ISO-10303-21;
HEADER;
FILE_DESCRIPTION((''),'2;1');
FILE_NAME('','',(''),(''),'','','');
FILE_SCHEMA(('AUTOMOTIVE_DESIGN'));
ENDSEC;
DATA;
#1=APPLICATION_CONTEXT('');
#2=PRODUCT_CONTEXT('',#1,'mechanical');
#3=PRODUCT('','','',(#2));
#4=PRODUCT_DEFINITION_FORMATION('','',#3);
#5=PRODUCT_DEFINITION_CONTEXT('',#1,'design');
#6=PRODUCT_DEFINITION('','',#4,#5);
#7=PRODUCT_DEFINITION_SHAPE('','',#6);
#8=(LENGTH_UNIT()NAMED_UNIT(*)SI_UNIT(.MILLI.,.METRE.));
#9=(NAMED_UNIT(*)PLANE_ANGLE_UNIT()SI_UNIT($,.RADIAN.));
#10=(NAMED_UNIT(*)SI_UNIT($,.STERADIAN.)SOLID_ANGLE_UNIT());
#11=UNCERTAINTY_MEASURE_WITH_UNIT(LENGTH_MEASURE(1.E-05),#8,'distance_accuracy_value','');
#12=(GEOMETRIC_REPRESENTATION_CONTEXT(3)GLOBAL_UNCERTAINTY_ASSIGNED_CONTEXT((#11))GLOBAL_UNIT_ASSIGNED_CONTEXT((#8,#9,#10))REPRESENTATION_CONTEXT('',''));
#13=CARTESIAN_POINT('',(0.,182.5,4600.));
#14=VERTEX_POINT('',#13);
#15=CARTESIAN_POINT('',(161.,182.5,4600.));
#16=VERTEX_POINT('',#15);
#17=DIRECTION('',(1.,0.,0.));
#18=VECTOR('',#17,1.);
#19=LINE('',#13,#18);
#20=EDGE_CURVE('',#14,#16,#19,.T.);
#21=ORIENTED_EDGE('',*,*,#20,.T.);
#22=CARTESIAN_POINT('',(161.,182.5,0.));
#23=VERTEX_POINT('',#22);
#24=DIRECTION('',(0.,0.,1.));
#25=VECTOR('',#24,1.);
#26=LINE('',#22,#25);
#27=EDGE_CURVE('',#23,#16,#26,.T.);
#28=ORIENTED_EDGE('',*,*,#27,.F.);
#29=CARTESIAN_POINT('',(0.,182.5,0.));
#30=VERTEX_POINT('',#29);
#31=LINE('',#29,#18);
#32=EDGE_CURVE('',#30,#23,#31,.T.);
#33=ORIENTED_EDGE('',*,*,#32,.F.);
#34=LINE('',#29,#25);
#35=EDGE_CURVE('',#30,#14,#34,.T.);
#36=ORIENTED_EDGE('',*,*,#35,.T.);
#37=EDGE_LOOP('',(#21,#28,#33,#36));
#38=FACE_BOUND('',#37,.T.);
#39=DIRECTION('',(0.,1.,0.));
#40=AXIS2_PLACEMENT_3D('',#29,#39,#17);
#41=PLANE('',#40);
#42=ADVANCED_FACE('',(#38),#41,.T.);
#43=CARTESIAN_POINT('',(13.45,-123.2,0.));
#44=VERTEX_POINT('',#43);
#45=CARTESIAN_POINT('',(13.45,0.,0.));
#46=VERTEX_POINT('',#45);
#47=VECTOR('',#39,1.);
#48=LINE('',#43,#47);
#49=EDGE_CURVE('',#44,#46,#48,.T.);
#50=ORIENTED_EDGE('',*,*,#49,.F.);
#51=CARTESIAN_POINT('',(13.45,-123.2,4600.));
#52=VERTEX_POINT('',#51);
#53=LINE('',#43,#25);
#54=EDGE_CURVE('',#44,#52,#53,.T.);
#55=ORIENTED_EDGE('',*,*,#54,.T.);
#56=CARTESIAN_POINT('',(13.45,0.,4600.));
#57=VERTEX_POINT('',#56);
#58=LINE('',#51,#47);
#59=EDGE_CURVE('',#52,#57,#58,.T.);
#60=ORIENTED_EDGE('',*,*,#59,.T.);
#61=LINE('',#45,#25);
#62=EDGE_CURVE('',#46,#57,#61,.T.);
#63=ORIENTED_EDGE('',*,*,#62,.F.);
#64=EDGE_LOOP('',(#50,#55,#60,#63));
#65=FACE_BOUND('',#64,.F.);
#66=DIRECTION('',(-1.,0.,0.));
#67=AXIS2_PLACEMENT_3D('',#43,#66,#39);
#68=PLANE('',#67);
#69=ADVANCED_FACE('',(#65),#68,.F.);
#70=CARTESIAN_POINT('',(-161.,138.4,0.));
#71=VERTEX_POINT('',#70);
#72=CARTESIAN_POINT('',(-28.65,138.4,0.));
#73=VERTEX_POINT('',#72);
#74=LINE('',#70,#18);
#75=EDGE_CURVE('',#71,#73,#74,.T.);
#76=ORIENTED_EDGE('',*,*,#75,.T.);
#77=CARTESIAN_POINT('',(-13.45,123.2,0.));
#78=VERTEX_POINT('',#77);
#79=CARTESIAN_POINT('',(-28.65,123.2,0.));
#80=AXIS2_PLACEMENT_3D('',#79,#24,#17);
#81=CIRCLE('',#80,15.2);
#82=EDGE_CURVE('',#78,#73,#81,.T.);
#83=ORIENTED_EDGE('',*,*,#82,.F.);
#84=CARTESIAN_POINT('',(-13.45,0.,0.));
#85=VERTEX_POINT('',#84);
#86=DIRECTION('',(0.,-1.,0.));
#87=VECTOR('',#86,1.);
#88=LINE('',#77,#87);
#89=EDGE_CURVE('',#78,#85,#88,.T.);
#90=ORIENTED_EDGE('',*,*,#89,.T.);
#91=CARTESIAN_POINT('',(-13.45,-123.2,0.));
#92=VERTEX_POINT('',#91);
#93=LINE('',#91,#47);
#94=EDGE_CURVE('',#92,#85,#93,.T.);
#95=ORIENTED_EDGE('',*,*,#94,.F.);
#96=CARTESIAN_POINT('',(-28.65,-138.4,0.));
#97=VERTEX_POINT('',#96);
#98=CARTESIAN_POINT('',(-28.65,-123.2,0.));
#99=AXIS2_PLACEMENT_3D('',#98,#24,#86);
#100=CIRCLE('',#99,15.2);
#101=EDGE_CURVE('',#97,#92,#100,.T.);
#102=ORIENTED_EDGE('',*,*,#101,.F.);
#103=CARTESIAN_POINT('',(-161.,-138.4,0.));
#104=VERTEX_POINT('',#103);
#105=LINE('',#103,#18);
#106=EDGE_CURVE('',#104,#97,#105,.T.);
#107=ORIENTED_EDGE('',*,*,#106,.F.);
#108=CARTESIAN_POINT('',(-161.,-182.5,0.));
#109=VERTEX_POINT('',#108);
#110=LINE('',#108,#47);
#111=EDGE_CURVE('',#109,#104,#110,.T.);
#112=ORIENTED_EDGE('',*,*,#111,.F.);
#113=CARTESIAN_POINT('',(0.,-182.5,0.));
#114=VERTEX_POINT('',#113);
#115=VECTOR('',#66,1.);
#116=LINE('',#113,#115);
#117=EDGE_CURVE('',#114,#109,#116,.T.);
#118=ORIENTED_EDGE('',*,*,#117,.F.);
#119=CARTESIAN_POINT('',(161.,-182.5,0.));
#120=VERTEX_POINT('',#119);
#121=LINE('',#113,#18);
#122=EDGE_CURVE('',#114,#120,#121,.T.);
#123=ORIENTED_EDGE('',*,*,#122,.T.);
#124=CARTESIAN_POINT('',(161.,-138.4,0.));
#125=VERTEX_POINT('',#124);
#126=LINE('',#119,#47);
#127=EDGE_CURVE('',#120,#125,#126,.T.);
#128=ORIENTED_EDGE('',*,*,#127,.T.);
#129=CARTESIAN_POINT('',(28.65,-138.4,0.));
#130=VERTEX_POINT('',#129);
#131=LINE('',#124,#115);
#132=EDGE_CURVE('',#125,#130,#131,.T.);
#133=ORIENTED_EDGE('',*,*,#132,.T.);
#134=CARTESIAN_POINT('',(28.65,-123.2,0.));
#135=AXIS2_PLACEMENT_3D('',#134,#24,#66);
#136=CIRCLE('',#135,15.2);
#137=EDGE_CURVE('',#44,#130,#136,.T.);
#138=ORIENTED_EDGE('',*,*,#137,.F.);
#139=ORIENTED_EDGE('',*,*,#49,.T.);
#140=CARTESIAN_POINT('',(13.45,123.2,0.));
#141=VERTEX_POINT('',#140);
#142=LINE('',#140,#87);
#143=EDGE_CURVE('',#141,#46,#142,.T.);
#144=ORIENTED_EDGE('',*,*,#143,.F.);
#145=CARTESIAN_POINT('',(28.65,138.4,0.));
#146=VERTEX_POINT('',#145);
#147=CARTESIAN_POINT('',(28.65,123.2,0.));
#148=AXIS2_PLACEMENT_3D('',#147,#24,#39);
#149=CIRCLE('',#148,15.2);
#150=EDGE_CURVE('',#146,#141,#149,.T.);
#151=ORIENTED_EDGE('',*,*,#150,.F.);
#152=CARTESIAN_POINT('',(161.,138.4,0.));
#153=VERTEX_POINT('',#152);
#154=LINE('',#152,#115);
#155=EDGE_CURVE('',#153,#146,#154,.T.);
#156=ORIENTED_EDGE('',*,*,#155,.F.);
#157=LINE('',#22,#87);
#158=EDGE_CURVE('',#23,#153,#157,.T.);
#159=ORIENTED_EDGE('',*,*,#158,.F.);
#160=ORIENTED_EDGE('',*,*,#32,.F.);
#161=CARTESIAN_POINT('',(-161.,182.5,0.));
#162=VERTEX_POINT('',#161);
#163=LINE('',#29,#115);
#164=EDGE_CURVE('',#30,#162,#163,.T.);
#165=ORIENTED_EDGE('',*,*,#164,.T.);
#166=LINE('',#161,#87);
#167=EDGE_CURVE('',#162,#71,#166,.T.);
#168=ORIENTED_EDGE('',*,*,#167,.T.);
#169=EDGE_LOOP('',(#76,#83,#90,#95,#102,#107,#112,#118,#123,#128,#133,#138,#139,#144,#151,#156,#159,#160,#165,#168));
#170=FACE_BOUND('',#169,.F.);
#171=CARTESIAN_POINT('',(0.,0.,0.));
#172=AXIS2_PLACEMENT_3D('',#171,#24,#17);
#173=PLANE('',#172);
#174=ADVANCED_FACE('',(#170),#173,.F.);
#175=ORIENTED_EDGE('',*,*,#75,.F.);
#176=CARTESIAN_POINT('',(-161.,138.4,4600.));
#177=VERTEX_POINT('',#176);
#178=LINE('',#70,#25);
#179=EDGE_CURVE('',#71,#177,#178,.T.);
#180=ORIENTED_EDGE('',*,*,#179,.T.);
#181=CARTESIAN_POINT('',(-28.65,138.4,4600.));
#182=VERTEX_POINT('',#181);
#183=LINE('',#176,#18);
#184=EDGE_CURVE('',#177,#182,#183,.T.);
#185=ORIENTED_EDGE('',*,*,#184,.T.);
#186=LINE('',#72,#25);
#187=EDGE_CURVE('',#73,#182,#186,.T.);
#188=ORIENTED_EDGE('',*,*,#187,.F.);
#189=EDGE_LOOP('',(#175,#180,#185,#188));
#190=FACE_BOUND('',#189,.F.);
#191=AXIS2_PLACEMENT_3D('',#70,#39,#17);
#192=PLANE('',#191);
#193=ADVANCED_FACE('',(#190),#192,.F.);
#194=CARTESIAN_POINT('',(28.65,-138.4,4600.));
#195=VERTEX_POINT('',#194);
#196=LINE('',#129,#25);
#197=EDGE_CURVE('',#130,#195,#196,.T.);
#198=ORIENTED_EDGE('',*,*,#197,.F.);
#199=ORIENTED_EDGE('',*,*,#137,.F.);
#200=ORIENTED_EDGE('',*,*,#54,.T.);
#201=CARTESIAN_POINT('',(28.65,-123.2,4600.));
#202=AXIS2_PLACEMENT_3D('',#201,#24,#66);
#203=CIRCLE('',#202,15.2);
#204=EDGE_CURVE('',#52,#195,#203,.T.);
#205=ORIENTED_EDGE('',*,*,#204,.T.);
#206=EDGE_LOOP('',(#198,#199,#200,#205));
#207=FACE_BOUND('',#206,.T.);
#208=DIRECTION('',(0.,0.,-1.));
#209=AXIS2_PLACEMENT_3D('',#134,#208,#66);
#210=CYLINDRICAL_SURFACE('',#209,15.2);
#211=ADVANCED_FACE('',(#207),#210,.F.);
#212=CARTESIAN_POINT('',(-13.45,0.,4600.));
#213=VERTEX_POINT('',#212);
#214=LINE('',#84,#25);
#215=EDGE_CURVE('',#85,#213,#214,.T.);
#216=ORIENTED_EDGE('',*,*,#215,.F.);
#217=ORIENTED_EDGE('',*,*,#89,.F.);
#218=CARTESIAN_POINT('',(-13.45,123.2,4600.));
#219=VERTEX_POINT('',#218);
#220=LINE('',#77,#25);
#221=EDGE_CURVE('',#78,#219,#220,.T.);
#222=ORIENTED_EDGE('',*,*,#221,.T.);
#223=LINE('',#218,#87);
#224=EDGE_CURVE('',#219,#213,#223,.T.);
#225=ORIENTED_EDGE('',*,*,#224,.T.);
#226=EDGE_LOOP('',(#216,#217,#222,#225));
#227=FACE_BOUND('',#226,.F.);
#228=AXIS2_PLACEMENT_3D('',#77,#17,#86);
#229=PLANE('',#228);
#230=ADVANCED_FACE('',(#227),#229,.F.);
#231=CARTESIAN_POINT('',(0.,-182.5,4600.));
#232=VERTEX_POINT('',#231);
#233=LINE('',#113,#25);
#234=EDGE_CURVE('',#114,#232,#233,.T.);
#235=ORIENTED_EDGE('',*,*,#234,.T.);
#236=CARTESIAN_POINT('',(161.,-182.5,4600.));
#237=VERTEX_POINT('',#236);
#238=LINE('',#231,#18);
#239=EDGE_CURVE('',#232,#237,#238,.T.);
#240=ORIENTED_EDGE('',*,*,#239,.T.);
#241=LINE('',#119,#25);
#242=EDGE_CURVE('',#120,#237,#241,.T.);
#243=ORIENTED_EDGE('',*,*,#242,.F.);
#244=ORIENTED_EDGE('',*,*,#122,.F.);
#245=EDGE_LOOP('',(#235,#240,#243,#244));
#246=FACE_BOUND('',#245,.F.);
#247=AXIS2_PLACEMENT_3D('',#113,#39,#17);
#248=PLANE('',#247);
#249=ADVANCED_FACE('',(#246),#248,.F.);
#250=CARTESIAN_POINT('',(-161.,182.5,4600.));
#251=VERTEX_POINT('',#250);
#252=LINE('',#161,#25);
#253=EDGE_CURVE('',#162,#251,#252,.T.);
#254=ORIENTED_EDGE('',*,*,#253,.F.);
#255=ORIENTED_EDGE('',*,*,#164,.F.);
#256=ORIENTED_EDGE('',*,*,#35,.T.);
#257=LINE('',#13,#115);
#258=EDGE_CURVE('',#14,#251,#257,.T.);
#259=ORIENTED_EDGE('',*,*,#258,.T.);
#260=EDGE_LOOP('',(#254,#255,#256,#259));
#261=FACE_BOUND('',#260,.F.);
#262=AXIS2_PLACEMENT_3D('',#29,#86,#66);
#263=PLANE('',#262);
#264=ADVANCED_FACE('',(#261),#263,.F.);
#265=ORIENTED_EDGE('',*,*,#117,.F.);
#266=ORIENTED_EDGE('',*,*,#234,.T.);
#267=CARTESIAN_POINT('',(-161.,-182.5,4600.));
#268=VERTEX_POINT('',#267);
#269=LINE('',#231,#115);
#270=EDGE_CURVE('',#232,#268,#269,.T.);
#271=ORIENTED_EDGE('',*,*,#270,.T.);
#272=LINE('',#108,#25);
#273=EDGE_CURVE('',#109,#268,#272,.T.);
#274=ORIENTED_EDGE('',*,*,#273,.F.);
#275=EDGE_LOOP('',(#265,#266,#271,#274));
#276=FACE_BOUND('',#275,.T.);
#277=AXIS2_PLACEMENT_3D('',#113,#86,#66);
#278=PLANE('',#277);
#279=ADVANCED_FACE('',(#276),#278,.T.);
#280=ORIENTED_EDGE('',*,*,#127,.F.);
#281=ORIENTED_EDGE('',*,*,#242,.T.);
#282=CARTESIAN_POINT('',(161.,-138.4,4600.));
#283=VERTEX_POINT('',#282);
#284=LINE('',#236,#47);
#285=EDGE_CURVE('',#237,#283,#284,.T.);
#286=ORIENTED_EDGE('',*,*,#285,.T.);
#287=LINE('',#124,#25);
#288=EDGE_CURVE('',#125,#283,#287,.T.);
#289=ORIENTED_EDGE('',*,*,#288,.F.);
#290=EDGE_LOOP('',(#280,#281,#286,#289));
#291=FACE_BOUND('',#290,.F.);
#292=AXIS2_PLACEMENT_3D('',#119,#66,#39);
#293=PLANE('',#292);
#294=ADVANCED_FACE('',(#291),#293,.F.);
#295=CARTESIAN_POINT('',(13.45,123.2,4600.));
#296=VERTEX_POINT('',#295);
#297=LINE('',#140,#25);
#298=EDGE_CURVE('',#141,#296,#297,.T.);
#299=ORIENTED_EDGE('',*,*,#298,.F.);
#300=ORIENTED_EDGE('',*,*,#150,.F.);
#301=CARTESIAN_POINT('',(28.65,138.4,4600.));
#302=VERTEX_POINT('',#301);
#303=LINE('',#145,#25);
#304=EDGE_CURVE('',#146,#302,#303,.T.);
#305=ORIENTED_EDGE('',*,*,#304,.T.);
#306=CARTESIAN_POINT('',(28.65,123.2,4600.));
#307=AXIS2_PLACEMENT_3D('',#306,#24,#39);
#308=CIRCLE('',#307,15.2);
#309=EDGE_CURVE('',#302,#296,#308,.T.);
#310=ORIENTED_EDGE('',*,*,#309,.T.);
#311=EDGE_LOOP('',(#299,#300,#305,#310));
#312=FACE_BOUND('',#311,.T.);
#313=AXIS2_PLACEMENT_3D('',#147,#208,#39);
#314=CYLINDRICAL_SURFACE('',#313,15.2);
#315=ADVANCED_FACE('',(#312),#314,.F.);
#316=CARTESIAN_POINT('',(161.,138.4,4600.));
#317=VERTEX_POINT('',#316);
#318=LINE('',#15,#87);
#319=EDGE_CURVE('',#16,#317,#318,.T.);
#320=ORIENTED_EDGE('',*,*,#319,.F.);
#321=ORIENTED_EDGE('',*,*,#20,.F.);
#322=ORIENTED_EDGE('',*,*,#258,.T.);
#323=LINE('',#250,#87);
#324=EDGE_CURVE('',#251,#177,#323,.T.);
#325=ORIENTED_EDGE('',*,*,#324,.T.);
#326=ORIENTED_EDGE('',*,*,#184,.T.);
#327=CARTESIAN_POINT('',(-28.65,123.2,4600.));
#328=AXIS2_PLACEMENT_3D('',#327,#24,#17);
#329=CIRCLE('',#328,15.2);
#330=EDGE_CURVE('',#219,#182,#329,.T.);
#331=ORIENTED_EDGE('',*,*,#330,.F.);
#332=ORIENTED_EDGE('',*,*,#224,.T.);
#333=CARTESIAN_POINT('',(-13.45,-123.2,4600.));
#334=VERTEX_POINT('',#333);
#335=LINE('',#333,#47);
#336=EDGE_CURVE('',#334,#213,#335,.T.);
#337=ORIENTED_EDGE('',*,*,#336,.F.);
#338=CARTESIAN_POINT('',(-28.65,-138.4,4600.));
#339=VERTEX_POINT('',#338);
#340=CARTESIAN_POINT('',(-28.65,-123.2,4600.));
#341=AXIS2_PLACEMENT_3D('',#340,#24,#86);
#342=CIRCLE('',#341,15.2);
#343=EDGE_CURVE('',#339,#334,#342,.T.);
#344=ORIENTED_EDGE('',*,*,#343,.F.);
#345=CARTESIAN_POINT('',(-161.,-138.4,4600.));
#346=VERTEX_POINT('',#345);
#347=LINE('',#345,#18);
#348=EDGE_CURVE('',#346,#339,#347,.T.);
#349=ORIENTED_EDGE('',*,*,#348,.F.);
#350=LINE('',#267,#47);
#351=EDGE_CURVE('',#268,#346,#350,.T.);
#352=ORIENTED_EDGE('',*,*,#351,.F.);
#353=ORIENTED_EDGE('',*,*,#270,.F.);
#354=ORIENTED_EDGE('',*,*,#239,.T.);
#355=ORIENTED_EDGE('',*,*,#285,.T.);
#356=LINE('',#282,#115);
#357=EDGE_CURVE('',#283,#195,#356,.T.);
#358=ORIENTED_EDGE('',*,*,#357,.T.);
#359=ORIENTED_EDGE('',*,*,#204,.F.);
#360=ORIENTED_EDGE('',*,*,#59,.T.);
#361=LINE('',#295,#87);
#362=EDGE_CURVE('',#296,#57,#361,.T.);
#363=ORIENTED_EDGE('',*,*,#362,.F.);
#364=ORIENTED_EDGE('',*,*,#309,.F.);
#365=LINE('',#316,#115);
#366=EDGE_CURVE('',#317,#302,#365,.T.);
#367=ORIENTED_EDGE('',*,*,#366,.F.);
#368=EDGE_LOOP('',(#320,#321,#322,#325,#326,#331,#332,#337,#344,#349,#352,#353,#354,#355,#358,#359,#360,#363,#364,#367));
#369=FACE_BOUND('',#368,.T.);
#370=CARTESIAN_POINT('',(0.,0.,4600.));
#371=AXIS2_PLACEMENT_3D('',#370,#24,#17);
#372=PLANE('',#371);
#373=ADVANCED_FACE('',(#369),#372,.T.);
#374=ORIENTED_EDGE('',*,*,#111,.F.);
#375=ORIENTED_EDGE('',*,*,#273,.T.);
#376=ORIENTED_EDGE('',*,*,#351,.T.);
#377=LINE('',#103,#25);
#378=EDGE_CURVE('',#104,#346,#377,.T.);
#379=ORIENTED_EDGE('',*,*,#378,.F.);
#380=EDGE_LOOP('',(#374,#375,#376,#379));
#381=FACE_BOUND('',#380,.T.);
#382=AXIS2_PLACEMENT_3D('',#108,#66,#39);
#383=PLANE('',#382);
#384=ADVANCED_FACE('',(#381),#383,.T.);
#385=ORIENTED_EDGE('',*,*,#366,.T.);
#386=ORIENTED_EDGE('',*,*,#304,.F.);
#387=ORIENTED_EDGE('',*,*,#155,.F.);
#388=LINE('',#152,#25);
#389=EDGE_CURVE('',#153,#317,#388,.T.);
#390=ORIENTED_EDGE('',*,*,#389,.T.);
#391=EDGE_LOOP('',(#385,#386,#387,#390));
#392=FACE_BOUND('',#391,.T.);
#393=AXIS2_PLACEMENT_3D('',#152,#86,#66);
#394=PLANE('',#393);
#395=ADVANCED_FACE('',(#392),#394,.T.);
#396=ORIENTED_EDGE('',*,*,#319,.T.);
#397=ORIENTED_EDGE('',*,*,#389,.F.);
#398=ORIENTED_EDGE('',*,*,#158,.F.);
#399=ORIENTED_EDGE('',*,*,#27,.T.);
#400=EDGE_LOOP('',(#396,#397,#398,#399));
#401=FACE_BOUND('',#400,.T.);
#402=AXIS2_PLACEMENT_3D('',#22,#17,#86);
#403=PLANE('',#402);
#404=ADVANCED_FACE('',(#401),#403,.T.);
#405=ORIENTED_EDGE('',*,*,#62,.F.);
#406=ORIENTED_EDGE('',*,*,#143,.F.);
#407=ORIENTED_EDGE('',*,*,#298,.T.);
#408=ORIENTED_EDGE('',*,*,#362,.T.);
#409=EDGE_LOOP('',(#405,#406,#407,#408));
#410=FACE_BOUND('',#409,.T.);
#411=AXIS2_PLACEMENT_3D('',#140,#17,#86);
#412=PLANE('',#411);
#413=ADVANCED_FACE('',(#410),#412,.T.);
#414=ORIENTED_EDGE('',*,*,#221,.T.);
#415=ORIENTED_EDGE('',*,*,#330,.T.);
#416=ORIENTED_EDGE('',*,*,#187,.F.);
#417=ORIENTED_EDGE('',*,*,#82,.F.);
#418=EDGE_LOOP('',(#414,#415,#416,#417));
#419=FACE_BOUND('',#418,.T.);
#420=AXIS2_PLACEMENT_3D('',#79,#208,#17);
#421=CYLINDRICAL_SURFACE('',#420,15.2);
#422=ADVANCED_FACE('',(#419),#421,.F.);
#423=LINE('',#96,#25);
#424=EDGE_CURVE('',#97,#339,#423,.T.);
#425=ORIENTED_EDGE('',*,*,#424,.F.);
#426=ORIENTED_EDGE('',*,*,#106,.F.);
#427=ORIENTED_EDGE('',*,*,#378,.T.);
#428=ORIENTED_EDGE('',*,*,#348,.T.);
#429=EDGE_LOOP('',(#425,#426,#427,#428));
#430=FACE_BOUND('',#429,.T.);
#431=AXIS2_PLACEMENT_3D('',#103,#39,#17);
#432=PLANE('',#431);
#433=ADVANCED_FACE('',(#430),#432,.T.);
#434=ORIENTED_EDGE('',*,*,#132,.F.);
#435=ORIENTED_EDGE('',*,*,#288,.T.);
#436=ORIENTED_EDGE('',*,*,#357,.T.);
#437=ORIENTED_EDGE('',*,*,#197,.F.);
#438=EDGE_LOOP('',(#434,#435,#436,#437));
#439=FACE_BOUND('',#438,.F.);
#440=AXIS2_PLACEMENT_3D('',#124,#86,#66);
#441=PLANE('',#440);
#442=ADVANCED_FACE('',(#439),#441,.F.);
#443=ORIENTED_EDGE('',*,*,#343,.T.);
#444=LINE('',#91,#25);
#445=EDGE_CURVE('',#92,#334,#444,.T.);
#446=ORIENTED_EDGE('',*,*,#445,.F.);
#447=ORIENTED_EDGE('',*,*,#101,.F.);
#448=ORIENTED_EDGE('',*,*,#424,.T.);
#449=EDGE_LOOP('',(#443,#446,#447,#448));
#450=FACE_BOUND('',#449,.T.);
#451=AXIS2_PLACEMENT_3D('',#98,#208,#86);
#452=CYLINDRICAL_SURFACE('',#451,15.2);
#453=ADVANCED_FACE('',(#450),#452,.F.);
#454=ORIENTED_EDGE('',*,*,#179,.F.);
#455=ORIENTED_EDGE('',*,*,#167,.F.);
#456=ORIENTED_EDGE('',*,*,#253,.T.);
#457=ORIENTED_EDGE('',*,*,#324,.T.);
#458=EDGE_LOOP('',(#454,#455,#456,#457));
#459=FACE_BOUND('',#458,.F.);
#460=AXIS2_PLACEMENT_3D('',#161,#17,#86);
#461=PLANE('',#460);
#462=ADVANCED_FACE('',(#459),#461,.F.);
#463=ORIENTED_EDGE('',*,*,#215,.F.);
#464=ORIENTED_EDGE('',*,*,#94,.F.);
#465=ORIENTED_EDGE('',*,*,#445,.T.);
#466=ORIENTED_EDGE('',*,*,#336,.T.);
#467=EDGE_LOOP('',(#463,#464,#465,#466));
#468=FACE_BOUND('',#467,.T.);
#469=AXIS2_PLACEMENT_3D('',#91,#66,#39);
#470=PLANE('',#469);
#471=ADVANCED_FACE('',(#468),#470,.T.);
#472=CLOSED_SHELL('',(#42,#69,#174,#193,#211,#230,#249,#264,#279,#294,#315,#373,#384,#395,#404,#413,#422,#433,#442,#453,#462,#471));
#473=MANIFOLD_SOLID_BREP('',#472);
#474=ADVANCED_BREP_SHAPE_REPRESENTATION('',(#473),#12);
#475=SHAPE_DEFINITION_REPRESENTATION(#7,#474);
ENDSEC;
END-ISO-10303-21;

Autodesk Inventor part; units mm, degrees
ref_plane "YZ Plane" through (0, 0, 0) normal (1, 0, 0) x (0, 1, 0)
ref_plane "Start plane" through (0, 0, 0) normal (0, 0, 1) x (1, 0, 0)
ref_plane "End plane" through (0, 0, 4600) normal (0, 0, 1) x (1, 0, 0)
sketch "Sketch" plane through (0, 0, 0) normal (0, 0, 1) x (1, 0, 0)
  line L0 (-161, -182.5) -> (-161, -138.4)
  line L1 (-161, -138.4) -> (-28.65, -138.4)
  line L2 (-13.45, -123.2) -> (-13.45, 0)
  line L3 (-13.45, 0) -> (0, 0) construction
  line L4 (0, 0) -> (0, -182.5) construction
  line L5 (0, -182.5) -> (-161, -182.5)
  line L6 (-60, 0) -> (80, 0) construction
  line L7 (0, -60) -> (0, 80) construction
  line L8 (161, -182.5) -> (161, -138.4)
  line L9 (161, -138.4) -> (28.65, -138.4)
  line L10 (13.45, -123.2) -> (13.45, 0)
  line L11 (13.45, 0) -> (0, 0) construction
  line L12 (0, -182.5) -> (161, -182.5)
  line L13 (-161, 182.5) -> (-161, 138.4)
  line L14 (-161, 138.4) -> (-28.65, 138.4)
  line L15 (-13.45, 123.2) -> (-13.45, 0)
  line L16 (0, 182.5) -> (-161, 182.5)
  line L17 (161, 182.5) -> (161, 138.4)
  line L18 (161, 138.4) -> (28.65, 138.4)
  line L19 (0, 182.5) -> (161, 182.5)
  line L20 (13.45, 123.2) -> (13.45, 0)
  arc A0 (-13.45, 123.2) -> (-28.65, 138.4) centre (-28.65, 123.2) ccw
  arc A1 (28.65, 138.4) -> (13.45, 123.2) centre (28.65, 123.2) ccw
  arc A2 (13.45, -123.2) -> (28.65, -138.4) centre (28.65, -123.2) ccw
  arc A3 (-28.65, -138.4) -> (-13.45, -123.2) centre (-28.65, -123.2) ccw
  line L21 (0, 108) -> (0, -88) construction
  line L22 (-88, 0) -> (108, 0) construction
  point P0 (-13.45, -138.4)
  point P1 (13.45, -138.4)
  point P2 (-13.45, 138.4)
  point P3 (13.45, 138.4)
  dimension "d1" = 182.5
  dimension "d2" = 44.1
  dimension "d3" = 161
  dimension "d4" = 13.45
  dimension "d10" = 15.2
extrude "Body" add sketch "Sketch" along normal up to surface (4600 mm away) from surface at 0
sketch "Sketch4" plane through (0, 0, 0) normal (0, 0, 1) x (1, 0, 0)
  line L0 (0, 0) -> (10, 0)
ref_plane "Work Plane3" through (0, 0, 0) normal (0, -1, 0) x (1, 0, 0)
sketch "Sketch5" plane through (0, 0, 0) normal (0, -1, 0) x (1, 0, 0)
  line L0 (-2, 0) -> (12, 0) projected
  line L1 (-2, 4600) -> (12, 4600) projected
  dimension "d14" = 4600
equation "\"d1\" = 0.5 * G_H"
equation "\"d2\" = G_T1"
equation "\"d3\" = 0.5 * G_W"
equation "\"d4\" = 0.5 * G_T"
equation "\"d10\" = G_IR"
equation "\"d5\" = G_L"
equation "\"G_W\" = 322"
equation "\"G_H\" = 365"
equation "\"G_T\" = 26.9"
equation "\"G_T1\" = 44.1"
equation "\"G_IR\" = 15.2"
equation "\"G_L\" = d14"
equation "\"G_OFFSET_START\" = 0"
equation "\"G_OFFSET_END\" = 0"
properties part number "AS 3679 - 310 UC - 283 - 4600" material "Steel, Mild"
